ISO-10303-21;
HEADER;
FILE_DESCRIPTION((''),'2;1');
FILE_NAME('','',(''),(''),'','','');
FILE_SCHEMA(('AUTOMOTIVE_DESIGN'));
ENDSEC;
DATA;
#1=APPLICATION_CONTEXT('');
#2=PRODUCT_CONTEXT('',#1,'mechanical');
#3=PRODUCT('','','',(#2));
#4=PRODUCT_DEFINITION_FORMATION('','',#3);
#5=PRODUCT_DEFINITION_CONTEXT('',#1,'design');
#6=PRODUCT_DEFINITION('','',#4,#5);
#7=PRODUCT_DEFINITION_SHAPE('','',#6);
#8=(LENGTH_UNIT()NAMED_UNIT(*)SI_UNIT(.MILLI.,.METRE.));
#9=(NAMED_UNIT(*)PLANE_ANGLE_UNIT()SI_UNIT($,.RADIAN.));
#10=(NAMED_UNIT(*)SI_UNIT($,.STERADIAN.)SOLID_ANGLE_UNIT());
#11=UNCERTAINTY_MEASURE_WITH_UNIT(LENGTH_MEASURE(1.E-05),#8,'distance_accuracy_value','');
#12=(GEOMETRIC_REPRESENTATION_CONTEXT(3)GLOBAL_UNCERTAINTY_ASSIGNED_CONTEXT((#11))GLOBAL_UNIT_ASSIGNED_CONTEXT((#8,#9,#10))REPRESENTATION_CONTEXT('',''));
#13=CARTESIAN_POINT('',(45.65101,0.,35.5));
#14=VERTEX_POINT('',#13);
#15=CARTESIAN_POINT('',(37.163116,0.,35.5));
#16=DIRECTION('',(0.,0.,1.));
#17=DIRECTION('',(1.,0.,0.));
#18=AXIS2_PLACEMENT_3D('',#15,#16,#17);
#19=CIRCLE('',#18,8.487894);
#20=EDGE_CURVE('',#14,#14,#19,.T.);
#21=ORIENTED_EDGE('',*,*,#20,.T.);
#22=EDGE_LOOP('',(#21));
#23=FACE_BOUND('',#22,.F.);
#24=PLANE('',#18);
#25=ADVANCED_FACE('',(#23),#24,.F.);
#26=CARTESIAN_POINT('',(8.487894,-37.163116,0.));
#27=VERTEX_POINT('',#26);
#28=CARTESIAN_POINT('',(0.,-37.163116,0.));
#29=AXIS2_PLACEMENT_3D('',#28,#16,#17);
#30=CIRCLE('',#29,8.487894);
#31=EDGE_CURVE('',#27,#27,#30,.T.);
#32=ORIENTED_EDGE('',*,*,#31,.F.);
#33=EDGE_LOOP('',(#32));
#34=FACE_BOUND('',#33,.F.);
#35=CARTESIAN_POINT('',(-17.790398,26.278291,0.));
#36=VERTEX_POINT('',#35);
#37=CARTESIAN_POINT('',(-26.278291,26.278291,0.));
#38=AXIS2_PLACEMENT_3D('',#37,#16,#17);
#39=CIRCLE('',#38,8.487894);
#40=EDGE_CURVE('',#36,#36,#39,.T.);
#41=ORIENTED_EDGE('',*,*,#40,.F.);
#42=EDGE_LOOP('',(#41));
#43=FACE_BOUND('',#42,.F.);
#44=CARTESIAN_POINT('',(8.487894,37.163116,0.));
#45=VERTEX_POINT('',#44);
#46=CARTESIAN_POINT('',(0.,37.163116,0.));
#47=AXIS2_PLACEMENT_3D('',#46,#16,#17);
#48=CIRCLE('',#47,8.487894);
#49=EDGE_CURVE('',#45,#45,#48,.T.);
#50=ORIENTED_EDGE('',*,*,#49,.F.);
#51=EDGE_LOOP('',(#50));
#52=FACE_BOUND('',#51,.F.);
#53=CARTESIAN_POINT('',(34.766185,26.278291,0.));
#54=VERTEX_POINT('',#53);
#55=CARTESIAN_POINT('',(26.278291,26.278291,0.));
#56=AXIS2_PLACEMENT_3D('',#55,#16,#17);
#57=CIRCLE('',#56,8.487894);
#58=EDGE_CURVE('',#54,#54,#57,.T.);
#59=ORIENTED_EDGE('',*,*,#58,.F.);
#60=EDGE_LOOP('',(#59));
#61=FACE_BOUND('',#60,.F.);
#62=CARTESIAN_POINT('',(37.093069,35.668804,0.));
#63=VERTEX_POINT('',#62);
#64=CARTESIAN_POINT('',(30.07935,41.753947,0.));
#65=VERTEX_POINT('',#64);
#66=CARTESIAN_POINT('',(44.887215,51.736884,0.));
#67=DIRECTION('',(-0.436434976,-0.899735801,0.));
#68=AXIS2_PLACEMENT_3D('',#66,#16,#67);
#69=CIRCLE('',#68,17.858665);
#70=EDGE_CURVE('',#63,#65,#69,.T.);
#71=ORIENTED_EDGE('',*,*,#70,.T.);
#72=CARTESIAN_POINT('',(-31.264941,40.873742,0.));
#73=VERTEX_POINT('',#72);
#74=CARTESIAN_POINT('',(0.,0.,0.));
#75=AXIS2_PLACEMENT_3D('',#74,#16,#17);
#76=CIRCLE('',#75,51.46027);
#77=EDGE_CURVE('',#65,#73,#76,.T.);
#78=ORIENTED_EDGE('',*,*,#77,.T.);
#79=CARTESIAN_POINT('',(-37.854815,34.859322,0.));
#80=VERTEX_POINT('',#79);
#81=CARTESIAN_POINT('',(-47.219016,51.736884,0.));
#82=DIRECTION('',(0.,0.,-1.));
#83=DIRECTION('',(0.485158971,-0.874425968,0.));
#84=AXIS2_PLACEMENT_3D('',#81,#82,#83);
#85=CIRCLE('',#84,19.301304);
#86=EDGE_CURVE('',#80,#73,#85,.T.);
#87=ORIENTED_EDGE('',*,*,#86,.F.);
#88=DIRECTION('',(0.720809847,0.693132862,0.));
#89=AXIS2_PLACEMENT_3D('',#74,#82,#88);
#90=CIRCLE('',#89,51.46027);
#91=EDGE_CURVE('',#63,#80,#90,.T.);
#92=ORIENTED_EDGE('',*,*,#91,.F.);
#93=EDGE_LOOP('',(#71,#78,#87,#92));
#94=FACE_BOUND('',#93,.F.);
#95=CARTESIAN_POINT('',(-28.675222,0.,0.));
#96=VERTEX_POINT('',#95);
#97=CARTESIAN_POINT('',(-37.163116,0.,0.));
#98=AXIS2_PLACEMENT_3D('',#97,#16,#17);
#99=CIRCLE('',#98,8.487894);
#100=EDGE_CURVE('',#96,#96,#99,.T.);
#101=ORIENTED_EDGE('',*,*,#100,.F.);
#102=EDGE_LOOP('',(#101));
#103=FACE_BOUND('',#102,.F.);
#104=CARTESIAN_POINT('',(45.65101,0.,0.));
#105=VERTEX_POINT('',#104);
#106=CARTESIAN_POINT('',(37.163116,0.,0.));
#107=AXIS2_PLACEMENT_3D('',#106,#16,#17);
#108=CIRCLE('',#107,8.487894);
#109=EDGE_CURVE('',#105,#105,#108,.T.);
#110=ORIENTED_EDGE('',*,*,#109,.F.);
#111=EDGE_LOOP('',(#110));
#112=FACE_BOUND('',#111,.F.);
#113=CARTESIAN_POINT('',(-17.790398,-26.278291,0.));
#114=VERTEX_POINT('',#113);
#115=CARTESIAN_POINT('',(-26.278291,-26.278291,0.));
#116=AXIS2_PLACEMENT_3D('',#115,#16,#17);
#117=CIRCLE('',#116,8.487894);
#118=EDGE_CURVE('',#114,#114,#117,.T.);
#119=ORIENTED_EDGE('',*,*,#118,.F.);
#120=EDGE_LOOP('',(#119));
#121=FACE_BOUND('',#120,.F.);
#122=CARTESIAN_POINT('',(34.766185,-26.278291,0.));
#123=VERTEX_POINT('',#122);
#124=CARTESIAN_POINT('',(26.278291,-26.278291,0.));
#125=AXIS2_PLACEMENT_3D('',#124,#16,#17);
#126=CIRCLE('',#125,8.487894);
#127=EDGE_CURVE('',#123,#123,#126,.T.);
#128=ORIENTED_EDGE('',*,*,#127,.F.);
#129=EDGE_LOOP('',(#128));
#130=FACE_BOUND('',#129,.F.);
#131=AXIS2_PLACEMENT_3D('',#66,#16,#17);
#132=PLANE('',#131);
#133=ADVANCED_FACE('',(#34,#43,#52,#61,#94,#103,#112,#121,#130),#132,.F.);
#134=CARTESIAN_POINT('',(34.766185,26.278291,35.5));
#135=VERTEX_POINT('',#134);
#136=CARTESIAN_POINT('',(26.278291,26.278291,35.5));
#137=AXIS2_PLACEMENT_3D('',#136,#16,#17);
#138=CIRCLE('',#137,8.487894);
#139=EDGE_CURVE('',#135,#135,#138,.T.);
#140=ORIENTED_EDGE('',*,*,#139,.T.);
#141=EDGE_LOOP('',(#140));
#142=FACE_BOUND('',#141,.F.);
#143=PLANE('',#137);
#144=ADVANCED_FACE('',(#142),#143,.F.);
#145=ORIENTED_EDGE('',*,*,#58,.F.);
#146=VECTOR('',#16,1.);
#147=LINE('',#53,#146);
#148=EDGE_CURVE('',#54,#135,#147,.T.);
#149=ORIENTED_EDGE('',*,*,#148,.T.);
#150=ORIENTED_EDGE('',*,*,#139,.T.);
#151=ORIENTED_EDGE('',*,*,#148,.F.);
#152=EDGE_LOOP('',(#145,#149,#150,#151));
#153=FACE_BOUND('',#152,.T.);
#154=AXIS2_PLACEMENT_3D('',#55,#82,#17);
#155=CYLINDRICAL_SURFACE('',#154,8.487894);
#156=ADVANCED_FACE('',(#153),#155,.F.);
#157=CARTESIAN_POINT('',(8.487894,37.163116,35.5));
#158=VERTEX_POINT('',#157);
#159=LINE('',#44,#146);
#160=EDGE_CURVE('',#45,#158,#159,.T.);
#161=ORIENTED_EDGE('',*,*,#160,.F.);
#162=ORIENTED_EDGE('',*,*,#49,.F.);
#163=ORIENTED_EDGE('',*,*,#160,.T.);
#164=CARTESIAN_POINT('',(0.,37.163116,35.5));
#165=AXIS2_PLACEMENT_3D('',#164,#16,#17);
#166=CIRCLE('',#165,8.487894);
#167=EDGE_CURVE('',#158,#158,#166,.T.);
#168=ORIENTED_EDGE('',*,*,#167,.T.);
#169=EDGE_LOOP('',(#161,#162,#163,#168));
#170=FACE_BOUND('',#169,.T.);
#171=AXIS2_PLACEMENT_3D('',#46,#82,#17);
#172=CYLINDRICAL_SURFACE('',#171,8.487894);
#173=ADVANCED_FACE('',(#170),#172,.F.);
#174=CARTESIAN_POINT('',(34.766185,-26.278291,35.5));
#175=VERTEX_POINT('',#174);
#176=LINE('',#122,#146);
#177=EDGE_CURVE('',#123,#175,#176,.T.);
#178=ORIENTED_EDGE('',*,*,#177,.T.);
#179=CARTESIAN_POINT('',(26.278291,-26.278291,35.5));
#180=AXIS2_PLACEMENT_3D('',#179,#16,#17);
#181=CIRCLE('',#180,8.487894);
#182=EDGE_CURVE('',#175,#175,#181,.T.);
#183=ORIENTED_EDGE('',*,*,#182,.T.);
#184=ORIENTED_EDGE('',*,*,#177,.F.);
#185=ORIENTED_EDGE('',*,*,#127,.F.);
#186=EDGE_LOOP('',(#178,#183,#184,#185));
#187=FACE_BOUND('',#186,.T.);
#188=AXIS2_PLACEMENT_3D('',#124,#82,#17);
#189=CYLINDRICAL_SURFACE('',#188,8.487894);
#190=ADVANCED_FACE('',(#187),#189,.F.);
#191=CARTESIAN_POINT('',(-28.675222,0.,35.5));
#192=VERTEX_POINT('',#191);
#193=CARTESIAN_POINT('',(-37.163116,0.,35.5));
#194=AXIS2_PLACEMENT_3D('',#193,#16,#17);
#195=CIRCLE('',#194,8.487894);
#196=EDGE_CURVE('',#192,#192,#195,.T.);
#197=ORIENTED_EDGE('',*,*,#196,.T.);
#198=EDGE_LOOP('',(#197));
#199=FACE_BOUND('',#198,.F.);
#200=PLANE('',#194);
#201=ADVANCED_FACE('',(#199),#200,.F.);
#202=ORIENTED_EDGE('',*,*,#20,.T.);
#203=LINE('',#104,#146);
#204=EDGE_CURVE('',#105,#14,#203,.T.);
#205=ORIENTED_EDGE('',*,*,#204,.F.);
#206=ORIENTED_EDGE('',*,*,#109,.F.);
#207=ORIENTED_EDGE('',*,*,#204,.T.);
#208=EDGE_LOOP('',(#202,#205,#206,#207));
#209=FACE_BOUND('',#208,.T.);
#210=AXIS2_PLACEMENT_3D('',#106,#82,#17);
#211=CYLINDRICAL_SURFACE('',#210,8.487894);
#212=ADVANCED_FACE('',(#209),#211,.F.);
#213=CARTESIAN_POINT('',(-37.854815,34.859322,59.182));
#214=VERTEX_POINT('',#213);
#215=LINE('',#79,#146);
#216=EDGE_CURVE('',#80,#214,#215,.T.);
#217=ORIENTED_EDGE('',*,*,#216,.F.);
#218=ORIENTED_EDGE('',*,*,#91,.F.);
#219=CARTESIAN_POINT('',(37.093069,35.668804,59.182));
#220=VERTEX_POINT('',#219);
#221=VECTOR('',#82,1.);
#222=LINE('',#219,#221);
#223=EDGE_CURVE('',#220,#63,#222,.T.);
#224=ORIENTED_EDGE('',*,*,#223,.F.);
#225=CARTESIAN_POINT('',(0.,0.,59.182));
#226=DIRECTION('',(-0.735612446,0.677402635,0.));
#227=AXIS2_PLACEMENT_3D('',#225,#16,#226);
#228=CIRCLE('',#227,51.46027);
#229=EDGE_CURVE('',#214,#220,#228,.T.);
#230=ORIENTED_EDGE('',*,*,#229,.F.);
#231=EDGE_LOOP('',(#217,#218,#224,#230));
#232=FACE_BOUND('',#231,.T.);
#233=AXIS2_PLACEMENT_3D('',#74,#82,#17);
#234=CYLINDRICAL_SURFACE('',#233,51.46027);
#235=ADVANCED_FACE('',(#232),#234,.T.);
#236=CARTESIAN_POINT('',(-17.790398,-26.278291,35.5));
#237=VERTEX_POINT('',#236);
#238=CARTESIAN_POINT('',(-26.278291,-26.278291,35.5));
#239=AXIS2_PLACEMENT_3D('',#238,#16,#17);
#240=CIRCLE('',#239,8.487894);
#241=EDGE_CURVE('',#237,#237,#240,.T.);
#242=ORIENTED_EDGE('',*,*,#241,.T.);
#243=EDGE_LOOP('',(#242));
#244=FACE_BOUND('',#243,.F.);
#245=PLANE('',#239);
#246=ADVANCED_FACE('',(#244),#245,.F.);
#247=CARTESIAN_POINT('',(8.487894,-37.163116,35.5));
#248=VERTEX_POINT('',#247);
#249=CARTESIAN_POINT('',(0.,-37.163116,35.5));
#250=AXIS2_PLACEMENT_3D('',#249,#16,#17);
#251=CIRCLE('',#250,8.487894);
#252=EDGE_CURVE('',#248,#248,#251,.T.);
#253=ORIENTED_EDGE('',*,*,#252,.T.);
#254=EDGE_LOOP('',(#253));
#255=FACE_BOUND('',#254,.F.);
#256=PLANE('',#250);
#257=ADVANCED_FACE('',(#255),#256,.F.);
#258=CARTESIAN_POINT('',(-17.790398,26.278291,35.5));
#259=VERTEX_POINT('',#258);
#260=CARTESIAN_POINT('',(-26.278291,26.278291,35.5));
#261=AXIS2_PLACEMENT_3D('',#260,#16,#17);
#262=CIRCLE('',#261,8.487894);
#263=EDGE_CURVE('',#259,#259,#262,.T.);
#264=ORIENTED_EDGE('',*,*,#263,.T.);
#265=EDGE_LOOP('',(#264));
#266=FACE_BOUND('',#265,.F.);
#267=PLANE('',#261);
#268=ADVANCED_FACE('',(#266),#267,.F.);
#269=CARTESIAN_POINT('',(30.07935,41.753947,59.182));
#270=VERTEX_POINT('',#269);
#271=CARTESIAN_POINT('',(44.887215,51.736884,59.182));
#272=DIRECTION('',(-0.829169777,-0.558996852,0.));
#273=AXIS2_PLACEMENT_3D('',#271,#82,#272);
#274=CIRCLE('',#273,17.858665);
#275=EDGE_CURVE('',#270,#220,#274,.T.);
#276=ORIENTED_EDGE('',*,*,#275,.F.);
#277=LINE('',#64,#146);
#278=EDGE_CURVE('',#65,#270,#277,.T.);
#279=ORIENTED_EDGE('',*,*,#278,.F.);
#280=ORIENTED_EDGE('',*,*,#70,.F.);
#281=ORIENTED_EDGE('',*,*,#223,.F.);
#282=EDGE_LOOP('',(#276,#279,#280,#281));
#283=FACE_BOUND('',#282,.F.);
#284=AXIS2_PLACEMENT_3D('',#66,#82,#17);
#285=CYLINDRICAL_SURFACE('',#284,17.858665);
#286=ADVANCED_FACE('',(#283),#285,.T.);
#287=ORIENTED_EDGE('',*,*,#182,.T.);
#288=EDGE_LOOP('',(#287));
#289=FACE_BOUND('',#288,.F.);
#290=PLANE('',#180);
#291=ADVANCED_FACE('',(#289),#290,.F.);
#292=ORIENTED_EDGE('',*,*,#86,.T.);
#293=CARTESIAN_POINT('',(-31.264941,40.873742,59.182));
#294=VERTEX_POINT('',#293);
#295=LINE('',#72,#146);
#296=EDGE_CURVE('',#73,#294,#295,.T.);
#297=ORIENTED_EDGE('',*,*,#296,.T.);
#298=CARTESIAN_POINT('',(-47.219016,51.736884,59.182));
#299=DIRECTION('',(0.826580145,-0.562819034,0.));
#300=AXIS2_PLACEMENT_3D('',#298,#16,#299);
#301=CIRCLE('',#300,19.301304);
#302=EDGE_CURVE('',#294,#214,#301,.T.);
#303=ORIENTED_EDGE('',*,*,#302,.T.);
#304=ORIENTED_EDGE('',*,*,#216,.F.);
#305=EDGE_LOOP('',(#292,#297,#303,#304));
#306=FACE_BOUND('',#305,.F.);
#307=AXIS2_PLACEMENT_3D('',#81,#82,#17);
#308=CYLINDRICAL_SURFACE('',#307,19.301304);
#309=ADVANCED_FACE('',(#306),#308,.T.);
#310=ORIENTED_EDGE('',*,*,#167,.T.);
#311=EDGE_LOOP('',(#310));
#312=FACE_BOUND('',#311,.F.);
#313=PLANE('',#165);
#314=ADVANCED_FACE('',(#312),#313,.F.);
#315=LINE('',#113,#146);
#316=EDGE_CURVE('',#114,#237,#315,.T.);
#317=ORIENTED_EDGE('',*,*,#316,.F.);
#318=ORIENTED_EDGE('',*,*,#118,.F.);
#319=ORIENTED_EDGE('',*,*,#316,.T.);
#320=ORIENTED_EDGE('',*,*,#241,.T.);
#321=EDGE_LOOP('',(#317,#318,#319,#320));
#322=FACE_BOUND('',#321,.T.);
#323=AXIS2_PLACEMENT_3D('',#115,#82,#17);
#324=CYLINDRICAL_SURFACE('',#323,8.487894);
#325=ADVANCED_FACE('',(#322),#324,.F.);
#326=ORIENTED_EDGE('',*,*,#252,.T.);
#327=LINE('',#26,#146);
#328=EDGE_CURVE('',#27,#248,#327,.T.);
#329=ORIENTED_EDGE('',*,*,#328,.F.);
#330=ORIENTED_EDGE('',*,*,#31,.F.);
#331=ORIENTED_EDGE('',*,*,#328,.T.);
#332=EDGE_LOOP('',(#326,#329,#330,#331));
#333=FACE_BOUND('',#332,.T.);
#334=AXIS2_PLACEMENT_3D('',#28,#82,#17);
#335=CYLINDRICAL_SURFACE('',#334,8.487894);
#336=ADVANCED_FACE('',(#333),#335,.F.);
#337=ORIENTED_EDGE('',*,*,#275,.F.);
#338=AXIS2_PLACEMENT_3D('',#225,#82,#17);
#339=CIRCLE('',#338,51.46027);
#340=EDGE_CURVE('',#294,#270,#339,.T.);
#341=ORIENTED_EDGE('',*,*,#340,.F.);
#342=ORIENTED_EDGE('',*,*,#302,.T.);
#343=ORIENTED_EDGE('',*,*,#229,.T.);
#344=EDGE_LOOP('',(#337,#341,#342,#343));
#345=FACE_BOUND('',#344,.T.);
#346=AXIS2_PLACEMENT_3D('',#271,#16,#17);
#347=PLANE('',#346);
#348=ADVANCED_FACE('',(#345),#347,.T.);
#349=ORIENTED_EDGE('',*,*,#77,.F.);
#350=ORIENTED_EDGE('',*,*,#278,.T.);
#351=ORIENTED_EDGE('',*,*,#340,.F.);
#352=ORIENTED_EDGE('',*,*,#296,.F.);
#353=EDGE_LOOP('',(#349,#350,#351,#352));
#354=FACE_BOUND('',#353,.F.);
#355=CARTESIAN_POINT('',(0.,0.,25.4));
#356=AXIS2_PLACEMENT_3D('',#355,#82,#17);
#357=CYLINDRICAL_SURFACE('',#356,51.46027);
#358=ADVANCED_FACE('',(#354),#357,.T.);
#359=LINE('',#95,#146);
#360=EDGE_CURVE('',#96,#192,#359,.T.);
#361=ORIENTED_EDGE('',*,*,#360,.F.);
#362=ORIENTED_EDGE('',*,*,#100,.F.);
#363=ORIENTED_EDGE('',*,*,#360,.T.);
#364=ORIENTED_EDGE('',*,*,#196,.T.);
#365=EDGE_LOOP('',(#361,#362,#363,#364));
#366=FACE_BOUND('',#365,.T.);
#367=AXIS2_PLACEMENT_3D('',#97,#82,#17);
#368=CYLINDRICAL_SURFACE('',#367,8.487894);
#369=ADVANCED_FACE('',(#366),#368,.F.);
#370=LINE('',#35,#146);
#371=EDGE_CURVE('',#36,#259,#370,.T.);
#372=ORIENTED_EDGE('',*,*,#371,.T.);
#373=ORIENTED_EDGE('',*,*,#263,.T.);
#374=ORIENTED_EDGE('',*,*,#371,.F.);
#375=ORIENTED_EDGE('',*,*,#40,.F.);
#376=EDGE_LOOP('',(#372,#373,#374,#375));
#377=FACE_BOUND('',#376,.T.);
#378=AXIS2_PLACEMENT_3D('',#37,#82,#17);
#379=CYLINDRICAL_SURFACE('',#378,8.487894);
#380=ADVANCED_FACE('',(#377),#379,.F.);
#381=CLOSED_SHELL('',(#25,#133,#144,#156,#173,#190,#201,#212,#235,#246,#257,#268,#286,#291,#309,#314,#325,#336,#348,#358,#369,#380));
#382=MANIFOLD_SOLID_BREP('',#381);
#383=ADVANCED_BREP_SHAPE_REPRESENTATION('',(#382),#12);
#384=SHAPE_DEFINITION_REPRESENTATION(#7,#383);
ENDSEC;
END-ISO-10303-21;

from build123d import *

# Parameters (mm, degrees)
F0_R       = 51.4602695285
F1_DEPTH   = 25.4
F2_DEPTH   = 28.956
F3_R       = 17.858664642
F3_R_2     = 19.3013042732
F1_FACE1_R = 51.4602695285
F4_DEPTH   = 59.182
F5_R       = 8.4878937559
F6_DEPTH   = 35.5


with BuildPart() as f1:
    # F0 (on Top) → F1 (new body)
    with BuildSketch(Plane.XY):
        Circle(F0_R)
    extrude(amount=F1_DEPTH)

    # F2 (add): a face of the model
    f2_faces = [f1.faces().sort_by_distance(p)[0] for p in [
        (0, 0, 25.4),
    ]]
    extrude(f2_faces, amount=F2_DEPTH)

    # F3 (on Top) + F1_face1 (on face) → F4 (join)
    with BuildSketch(Plane.XY):
        with Locations((44.8872148991, 51.7368838191)):
            Circle(F3_R)
        with Locations((-47.2190156579, 51.7368838191)):
            Circle(F3_R_2)
    with BuildSketch(Plane(origin=(0, 0, 0), x_dir=(1, 0, 0), z_dir=(0, 0, -1))):
        Circle(F1_FACE1_R)
    extrude(amount=F4_DEPTH, dir=(0, 0, 1))

    # F5 (on Top) → F6 (cut)
    with BuildSketch(Plane.XY):
        with Locations((-37.1631160378, 0)):
            Circle(F5_R)
        with Locations((-26.2782913604, 26.2782913604)):
            Circle(F5_R)
        with Locations((0, 37.1631160378)):
            Circle(F5_R)
        with Locations((26.2782913604, 26.2782913604)):
            Circle(F5_R)
        with Locations((37.1631160378, 0)):
            Circle(F5_R)
        with Locations((26.2782913604, -26.2782913604)):
            Circle(F5_R)
        with Locations((0, -37.1631160378)):
            Circle(F5_R)
        with Locations((-26.2782913604, -26.2782913604)):
            Circle(F5_R)
    extrude(amount=F6_DEPTH, mode=Mode.SUBTRACT)


solid = f1.part
